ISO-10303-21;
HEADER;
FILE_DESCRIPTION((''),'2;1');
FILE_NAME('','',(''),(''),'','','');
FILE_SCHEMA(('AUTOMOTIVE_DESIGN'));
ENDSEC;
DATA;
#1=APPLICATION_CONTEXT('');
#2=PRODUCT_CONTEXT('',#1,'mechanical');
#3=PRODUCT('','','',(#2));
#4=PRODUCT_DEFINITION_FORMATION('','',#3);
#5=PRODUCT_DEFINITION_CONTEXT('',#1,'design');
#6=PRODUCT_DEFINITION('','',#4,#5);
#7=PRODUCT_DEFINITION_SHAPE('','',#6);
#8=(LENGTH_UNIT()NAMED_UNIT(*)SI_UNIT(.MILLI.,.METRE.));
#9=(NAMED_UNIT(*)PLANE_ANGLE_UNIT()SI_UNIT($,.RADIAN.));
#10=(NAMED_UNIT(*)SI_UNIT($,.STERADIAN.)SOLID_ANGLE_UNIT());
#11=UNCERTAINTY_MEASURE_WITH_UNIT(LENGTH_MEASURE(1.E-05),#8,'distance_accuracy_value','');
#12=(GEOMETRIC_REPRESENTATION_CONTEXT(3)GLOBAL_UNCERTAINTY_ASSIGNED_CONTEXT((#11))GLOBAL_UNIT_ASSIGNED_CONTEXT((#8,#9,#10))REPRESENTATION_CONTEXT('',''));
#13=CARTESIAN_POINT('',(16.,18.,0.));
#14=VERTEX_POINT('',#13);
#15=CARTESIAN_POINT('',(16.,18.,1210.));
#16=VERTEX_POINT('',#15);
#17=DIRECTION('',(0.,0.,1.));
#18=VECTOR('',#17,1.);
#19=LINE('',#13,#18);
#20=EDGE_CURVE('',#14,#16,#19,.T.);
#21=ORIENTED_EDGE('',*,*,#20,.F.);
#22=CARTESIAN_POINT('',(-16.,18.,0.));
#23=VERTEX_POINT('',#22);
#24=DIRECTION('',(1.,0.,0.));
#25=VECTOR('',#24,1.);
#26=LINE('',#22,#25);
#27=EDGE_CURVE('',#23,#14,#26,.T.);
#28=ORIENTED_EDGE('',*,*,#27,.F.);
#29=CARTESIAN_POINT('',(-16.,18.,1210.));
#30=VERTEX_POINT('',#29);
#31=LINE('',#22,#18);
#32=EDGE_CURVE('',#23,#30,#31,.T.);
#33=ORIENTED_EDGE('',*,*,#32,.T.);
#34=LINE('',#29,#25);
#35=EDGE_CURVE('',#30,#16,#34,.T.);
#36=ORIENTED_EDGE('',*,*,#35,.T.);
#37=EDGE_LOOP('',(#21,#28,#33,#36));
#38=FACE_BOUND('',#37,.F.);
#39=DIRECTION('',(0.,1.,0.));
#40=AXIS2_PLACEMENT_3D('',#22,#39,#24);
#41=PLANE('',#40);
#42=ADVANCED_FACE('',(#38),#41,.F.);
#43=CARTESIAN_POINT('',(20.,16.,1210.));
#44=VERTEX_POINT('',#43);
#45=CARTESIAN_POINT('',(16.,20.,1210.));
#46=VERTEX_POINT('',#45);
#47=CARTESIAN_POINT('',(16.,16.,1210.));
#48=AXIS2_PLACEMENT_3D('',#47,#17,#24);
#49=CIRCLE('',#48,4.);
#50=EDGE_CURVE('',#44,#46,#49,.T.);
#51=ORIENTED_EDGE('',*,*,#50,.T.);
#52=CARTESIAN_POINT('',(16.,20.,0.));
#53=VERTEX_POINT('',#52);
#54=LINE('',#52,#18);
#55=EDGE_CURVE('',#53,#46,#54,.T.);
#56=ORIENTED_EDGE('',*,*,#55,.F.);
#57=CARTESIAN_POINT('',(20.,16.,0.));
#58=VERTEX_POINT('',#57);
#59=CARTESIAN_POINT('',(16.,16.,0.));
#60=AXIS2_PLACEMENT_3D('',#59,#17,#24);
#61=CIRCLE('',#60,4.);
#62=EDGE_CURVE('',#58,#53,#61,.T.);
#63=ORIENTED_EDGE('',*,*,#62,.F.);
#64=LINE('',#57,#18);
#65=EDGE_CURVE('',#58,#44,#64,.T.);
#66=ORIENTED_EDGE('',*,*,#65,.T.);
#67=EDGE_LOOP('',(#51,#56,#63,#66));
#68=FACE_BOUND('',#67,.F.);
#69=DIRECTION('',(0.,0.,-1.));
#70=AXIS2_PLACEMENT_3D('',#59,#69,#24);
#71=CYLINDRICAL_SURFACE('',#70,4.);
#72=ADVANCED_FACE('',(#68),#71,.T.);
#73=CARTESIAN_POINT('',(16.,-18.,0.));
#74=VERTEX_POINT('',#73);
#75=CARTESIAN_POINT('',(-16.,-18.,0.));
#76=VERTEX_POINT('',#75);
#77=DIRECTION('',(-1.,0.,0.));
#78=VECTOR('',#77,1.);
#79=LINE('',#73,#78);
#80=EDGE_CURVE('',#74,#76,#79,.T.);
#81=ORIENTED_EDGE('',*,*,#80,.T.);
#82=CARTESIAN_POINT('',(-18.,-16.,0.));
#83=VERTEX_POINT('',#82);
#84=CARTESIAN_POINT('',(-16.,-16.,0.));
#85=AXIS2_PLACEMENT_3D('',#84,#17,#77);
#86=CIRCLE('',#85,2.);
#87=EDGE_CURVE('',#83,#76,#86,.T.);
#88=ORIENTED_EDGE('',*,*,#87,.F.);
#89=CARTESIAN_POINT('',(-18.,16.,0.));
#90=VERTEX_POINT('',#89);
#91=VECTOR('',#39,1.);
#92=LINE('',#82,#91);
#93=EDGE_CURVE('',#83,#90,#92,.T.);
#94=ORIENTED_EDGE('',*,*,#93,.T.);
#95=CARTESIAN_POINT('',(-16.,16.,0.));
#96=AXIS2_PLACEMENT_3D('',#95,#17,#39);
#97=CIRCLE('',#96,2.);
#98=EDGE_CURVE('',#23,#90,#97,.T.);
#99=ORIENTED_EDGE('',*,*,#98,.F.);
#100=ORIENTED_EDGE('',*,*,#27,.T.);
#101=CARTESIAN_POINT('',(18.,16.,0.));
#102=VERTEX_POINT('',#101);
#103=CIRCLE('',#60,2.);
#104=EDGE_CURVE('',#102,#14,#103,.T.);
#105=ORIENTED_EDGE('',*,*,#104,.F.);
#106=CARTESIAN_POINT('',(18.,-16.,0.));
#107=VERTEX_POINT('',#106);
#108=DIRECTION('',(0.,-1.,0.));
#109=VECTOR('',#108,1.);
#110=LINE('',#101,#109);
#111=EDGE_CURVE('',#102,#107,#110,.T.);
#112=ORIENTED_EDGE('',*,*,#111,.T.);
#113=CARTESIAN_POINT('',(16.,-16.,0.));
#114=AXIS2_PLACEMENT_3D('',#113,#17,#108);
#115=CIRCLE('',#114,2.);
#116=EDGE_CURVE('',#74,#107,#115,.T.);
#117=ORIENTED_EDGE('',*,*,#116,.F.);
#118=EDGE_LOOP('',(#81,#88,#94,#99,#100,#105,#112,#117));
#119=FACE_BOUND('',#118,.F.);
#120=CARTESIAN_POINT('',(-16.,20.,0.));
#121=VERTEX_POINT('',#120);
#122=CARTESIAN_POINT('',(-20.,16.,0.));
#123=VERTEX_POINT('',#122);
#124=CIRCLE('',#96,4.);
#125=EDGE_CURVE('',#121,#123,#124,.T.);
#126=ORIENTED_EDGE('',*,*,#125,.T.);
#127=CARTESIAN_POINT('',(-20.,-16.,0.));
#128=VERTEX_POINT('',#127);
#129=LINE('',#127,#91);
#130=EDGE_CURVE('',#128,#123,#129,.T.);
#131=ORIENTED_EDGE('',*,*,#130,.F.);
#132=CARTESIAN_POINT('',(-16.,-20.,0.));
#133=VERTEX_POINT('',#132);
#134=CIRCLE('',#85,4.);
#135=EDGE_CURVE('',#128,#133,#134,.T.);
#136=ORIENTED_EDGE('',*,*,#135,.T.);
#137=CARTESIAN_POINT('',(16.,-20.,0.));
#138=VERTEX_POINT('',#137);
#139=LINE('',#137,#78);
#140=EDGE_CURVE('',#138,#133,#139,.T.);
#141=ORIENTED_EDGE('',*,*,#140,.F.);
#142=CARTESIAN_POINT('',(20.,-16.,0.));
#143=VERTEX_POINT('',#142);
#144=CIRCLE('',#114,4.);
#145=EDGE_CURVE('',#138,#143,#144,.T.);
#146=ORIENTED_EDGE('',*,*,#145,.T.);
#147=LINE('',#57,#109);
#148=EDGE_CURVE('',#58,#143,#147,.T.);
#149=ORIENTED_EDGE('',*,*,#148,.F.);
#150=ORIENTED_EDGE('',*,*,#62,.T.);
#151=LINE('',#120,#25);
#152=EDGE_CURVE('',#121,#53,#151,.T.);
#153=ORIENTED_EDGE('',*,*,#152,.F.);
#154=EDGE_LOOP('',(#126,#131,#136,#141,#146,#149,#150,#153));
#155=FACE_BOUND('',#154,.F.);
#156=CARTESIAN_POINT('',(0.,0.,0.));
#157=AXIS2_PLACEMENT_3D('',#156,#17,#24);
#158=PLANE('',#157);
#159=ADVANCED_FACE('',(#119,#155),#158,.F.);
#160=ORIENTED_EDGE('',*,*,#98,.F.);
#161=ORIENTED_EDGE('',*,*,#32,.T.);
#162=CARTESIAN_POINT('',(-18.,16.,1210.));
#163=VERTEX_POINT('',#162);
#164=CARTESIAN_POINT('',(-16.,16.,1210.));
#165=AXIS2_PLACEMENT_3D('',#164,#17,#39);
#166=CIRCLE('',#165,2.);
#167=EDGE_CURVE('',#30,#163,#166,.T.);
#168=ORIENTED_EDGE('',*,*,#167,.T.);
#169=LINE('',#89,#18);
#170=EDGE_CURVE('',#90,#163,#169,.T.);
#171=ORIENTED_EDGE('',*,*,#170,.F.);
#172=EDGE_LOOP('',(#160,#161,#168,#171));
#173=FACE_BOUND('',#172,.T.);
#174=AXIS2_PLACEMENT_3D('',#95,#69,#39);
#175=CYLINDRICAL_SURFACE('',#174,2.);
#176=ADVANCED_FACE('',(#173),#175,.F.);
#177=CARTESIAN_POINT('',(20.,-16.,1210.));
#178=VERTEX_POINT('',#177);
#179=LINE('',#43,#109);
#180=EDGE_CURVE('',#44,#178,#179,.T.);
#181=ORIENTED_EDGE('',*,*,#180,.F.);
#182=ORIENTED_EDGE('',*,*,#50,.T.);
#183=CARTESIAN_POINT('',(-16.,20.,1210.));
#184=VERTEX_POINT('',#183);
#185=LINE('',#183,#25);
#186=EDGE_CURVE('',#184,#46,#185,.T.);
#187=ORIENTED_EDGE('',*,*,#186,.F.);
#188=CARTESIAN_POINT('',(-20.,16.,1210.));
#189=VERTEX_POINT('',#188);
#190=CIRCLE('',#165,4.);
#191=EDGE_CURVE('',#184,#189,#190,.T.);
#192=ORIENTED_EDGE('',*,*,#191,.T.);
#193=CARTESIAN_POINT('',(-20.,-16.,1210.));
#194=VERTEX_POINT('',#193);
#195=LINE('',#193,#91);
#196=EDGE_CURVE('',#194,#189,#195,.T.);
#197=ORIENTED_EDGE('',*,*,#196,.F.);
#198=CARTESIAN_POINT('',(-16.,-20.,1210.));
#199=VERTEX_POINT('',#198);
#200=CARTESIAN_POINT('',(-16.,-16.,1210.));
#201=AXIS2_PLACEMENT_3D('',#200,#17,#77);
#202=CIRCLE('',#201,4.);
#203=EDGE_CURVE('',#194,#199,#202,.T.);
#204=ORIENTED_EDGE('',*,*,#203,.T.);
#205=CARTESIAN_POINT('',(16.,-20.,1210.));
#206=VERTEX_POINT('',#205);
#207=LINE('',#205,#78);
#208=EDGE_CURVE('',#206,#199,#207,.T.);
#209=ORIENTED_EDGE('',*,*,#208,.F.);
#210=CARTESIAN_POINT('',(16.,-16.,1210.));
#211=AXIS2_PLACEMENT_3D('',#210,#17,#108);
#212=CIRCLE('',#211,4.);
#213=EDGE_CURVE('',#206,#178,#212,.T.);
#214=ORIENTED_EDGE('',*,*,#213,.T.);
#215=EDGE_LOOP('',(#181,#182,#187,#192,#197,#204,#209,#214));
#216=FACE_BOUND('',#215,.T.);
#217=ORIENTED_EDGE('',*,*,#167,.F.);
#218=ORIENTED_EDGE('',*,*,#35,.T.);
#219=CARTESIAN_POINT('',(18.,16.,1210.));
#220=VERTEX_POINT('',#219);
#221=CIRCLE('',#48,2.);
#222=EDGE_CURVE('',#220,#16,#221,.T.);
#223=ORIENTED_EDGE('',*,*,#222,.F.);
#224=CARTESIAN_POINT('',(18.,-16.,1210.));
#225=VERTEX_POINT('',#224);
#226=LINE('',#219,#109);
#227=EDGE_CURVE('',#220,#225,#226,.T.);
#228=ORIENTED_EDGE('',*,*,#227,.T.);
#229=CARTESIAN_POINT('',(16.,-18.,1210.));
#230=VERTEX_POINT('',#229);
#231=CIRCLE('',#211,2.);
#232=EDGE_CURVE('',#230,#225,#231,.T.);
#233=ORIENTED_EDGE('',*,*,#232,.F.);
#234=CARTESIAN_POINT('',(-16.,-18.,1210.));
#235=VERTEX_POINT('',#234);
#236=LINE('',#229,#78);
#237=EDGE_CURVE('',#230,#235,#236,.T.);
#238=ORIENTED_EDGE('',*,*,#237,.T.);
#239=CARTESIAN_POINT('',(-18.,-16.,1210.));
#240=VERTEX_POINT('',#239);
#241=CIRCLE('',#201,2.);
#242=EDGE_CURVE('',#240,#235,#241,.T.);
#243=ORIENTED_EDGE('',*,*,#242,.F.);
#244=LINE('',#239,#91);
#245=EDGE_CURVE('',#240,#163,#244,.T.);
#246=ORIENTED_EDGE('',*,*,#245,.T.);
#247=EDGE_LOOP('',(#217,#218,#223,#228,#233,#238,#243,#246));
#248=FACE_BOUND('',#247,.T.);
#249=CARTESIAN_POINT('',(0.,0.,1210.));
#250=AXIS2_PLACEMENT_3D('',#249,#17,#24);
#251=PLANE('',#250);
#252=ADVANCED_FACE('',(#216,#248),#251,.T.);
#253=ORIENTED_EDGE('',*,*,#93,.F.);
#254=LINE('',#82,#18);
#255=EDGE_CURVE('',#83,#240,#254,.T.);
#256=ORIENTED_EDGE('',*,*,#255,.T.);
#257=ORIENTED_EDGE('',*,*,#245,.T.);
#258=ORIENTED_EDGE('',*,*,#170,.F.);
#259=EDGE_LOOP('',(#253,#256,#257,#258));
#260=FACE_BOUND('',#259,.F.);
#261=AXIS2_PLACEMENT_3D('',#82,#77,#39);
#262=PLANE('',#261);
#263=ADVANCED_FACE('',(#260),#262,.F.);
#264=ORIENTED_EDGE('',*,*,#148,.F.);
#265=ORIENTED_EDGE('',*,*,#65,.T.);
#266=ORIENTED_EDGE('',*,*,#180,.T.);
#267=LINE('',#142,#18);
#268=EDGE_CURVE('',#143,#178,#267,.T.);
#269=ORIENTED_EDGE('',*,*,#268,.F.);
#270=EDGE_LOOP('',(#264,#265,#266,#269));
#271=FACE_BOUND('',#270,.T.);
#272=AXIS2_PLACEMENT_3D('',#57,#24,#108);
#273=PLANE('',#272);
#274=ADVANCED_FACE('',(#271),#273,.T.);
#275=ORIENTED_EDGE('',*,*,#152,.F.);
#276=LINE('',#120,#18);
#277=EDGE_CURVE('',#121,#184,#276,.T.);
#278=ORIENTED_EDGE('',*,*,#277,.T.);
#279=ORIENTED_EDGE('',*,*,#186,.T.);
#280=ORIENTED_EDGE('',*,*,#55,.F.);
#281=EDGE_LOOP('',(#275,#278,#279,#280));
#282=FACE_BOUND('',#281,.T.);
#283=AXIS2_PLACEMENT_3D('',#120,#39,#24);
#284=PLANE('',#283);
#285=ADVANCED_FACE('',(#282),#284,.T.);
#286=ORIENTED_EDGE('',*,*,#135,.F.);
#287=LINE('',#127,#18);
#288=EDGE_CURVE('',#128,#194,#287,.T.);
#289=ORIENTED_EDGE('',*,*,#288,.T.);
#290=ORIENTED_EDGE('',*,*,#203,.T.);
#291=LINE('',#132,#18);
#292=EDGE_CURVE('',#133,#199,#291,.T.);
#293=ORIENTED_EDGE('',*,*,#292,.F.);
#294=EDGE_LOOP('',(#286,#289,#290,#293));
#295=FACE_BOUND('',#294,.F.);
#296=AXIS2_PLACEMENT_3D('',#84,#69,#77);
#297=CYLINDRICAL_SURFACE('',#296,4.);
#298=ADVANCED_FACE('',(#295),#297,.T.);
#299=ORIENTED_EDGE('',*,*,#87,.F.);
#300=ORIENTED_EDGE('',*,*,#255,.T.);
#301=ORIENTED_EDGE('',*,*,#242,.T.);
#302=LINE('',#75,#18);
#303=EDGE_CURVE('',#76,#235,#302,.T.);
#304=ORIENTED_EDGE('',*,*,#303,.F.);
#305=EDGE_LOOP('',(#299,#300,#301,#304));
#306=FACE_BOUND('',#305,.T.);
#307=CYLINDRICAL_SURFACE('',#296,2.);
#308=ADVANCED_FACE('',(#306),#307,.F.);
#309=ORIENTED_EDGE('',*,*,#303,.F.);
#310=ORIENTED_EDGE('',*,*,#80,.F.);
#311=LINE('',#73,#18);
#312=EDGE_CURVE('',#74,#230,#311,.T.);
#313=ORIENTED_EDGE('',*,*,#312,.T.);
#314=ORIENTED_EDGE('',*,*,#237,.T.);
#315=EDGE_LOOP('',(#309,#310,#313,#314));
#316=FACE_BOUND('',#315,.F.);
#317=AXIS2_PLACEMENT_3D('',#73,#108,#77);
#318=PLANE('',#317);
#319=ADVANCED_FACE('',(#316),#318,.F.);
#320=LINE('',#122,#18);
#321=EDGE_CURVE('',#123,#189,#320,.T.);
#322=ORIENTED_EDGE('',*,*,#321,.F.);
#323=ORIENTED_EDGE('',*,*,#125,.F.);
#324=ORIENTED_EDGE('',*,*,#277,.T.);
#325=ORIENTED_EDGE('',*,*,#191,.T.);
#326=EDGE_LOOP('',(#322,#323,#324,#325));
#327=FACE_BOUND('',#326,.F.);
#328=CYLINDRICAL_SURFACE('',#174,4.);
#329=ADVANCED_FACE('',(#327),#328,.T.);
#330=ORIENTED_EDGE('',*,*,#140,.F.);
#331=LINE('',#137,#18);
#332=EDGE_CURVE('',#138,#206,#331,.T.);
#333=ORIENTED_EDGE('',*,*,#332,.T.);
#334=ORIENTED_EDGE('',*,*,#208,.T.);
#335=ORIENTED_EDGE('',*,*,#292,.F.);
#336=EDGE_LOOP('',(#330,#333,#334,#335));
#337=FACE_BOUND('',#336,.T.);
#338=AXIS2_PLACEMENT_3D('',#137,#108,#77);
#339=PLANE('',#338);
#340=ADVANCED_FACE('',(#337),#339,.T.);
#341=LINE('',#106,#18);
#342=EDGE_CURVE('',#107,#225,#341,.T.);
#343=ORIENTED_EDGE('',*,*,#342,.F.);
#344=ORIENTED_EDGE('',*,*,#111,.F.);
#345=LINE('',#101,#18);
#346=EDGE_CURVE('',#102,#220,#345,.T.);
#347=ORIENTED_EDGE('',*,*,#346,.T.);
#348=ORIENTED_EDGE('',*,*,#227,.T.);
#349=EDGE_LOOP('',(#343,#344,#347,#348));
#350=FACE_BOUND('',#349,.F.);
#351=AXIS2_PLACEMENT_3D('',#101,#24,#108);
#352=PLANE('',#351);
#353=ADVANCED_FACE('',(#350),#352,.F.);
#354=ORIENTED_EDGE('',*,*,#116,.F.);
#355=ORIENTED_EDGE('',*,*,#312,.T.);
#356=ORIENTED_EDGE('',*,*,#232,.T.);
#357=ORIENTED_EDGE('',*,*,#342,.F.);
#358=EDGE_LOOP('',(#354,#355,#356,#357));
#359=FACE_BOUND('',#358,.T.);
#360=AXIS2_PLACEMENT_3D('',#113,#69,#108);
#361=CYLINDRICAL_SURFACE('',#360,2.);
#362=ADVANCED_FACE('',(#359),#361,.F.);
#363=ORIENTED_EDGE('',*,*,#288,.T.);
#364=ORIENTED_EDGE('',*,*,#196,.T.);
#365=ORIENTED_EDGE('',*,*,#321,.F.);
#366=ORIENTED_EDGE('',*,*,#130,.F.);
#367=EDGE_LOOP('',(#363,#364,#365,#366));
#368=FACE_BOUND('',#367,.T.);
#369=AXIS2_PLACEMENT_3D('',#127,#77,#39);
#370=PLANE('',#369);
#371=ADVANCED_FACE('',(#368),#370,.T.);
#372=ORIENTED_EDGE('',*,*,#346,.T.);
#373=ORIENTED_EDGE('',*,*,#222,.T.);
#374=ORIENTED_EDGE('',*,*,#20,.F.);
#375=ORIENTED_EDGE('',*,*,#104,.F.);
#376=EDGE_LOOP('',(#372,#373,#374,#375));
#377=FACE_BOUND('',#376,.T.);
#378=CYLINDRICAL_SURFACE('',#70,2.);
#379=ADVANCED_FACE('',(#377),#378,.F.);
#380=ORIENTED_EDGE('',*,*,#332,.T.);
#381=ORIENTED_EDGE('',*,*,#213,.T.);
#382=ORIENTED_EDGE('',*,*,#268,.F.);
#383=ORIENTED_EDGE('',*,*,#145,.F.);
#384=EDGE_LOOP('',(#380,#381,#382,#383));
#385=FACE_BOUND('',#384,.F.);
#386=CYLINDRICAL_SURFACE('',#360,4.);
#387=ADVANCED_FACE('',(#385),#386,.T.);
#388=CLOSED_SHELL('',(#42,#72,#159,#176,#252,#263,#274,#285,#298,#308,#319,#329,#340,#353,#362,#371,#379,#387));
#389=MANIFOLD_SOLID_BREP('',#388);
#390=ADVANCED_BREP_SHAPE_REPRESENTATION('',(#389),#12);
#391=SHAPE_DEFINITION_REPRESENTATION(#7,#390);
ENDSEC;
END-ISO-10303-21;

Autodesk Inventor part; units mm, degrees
ref_plane "YZ Plane" through (0, 0, 0) normal (1, 0, 0) x (0, 1, 0)
ref_plane "Start Plane" through (0, 0, 0) normal (0, 0, 1) x (1, 0, 0)
ref_plane "End Plane" through (0, 0, 1210) normal (0, 0, 1) x (1, 0, 0)
sketch "Sketch" plane through (0, 0, 0) normal (0, 0, 1) x (1, 0, 0)
  line L0 (-20, -16) -> (-20, 16)
  line L1 (-16, 20) -> (16, 20)
  line L2 (20, 16) -> (20, -16)
  line L3 (16, -20) -> (-16, -20)
  arc A0 (-20, -16) -> (-16, -20) centre (-16, -16) ccw
  arc A1 (20, 16) -> (16, 20) centre (16, 16) ccw
  arc A2 (-16, 20) -> (-20, 16) centre (-16, 16) ccw
  arc A3 (16, -20) -> (20, -16) centre (16, -16) ccw
  arc A4 (-16, 18) -> (-18, 16) centre (-16, 16) ccw
  line L4 (-16, 18) -> (16, 18)
  arc A5 (18, 16) -> (16, 18) centre (16, 16) ccw
  line L5 (18, 16) -> (18, -16)
  arc A6 (16, -18) -> (18, -16) centre (16, -16) ccw
  line L6 (16, -18) -> (-16, -18)
  arc A7 (-18, -16) -> (-16, -18) centre (-16, -16) ccw
  line L7 (-18, -16) -> (-18, 16)
  line L8 (0, 29.1598) -> (0, -29.1598) construction
  line L9 (-29.1598, 0) -> (29.1598, 0) construction
  dimension "d7" = 4
  dimension "d9" = 40
  dimension "d11" = 40
  dimension "d12" = 2
  dimension "d15" = 20
  dimension "d16" = 20
extrude "Body" add sketch "Sketch" along normal up to surface (1210 mm away) from surface at 0
sketch "Sketch3" plane through (0, 0, 0) normal (0, 0, 1) x (1, 0, 0)
  line L0 (0, 0) -> (10, 0)
ref_plane "Work Plane3" through (0, 0, 0) normal (0, -1, 0) x (1, 0, 0)
sketch "Sketch4" plane through (0, 0, 0) normal (0, -1, 0) x (1, 0, 0)
  line L0 (-2, 0) -> (12, 0) projected
  line L1 (-2, 1210) -> (12, 1210) projected
  dimension "d18" = 1210
equation "\"d7\" = G_IR"
equation "\"d9\" = G_W"
equation "\"d11\" = G_H"
equation "\"d12\" = G_T"
equation "\"d15\" = 0.5 * d9"
equation "\"d16\" = 0.5 * d11"
equation "\"d3\" = G_L"
equation "\"G_W\" = 40"
equation "\"G_H\" = 40"
equation "\"G_T\" = 2"
equation "\"G_IR\" = 4"
equation "\"G_L\" = d18"
equation "\"G_OFFSET_START\" = 0"
properties part number "ISO 4019 - 40x40x2 - 1210" material "Steel, Mild"
